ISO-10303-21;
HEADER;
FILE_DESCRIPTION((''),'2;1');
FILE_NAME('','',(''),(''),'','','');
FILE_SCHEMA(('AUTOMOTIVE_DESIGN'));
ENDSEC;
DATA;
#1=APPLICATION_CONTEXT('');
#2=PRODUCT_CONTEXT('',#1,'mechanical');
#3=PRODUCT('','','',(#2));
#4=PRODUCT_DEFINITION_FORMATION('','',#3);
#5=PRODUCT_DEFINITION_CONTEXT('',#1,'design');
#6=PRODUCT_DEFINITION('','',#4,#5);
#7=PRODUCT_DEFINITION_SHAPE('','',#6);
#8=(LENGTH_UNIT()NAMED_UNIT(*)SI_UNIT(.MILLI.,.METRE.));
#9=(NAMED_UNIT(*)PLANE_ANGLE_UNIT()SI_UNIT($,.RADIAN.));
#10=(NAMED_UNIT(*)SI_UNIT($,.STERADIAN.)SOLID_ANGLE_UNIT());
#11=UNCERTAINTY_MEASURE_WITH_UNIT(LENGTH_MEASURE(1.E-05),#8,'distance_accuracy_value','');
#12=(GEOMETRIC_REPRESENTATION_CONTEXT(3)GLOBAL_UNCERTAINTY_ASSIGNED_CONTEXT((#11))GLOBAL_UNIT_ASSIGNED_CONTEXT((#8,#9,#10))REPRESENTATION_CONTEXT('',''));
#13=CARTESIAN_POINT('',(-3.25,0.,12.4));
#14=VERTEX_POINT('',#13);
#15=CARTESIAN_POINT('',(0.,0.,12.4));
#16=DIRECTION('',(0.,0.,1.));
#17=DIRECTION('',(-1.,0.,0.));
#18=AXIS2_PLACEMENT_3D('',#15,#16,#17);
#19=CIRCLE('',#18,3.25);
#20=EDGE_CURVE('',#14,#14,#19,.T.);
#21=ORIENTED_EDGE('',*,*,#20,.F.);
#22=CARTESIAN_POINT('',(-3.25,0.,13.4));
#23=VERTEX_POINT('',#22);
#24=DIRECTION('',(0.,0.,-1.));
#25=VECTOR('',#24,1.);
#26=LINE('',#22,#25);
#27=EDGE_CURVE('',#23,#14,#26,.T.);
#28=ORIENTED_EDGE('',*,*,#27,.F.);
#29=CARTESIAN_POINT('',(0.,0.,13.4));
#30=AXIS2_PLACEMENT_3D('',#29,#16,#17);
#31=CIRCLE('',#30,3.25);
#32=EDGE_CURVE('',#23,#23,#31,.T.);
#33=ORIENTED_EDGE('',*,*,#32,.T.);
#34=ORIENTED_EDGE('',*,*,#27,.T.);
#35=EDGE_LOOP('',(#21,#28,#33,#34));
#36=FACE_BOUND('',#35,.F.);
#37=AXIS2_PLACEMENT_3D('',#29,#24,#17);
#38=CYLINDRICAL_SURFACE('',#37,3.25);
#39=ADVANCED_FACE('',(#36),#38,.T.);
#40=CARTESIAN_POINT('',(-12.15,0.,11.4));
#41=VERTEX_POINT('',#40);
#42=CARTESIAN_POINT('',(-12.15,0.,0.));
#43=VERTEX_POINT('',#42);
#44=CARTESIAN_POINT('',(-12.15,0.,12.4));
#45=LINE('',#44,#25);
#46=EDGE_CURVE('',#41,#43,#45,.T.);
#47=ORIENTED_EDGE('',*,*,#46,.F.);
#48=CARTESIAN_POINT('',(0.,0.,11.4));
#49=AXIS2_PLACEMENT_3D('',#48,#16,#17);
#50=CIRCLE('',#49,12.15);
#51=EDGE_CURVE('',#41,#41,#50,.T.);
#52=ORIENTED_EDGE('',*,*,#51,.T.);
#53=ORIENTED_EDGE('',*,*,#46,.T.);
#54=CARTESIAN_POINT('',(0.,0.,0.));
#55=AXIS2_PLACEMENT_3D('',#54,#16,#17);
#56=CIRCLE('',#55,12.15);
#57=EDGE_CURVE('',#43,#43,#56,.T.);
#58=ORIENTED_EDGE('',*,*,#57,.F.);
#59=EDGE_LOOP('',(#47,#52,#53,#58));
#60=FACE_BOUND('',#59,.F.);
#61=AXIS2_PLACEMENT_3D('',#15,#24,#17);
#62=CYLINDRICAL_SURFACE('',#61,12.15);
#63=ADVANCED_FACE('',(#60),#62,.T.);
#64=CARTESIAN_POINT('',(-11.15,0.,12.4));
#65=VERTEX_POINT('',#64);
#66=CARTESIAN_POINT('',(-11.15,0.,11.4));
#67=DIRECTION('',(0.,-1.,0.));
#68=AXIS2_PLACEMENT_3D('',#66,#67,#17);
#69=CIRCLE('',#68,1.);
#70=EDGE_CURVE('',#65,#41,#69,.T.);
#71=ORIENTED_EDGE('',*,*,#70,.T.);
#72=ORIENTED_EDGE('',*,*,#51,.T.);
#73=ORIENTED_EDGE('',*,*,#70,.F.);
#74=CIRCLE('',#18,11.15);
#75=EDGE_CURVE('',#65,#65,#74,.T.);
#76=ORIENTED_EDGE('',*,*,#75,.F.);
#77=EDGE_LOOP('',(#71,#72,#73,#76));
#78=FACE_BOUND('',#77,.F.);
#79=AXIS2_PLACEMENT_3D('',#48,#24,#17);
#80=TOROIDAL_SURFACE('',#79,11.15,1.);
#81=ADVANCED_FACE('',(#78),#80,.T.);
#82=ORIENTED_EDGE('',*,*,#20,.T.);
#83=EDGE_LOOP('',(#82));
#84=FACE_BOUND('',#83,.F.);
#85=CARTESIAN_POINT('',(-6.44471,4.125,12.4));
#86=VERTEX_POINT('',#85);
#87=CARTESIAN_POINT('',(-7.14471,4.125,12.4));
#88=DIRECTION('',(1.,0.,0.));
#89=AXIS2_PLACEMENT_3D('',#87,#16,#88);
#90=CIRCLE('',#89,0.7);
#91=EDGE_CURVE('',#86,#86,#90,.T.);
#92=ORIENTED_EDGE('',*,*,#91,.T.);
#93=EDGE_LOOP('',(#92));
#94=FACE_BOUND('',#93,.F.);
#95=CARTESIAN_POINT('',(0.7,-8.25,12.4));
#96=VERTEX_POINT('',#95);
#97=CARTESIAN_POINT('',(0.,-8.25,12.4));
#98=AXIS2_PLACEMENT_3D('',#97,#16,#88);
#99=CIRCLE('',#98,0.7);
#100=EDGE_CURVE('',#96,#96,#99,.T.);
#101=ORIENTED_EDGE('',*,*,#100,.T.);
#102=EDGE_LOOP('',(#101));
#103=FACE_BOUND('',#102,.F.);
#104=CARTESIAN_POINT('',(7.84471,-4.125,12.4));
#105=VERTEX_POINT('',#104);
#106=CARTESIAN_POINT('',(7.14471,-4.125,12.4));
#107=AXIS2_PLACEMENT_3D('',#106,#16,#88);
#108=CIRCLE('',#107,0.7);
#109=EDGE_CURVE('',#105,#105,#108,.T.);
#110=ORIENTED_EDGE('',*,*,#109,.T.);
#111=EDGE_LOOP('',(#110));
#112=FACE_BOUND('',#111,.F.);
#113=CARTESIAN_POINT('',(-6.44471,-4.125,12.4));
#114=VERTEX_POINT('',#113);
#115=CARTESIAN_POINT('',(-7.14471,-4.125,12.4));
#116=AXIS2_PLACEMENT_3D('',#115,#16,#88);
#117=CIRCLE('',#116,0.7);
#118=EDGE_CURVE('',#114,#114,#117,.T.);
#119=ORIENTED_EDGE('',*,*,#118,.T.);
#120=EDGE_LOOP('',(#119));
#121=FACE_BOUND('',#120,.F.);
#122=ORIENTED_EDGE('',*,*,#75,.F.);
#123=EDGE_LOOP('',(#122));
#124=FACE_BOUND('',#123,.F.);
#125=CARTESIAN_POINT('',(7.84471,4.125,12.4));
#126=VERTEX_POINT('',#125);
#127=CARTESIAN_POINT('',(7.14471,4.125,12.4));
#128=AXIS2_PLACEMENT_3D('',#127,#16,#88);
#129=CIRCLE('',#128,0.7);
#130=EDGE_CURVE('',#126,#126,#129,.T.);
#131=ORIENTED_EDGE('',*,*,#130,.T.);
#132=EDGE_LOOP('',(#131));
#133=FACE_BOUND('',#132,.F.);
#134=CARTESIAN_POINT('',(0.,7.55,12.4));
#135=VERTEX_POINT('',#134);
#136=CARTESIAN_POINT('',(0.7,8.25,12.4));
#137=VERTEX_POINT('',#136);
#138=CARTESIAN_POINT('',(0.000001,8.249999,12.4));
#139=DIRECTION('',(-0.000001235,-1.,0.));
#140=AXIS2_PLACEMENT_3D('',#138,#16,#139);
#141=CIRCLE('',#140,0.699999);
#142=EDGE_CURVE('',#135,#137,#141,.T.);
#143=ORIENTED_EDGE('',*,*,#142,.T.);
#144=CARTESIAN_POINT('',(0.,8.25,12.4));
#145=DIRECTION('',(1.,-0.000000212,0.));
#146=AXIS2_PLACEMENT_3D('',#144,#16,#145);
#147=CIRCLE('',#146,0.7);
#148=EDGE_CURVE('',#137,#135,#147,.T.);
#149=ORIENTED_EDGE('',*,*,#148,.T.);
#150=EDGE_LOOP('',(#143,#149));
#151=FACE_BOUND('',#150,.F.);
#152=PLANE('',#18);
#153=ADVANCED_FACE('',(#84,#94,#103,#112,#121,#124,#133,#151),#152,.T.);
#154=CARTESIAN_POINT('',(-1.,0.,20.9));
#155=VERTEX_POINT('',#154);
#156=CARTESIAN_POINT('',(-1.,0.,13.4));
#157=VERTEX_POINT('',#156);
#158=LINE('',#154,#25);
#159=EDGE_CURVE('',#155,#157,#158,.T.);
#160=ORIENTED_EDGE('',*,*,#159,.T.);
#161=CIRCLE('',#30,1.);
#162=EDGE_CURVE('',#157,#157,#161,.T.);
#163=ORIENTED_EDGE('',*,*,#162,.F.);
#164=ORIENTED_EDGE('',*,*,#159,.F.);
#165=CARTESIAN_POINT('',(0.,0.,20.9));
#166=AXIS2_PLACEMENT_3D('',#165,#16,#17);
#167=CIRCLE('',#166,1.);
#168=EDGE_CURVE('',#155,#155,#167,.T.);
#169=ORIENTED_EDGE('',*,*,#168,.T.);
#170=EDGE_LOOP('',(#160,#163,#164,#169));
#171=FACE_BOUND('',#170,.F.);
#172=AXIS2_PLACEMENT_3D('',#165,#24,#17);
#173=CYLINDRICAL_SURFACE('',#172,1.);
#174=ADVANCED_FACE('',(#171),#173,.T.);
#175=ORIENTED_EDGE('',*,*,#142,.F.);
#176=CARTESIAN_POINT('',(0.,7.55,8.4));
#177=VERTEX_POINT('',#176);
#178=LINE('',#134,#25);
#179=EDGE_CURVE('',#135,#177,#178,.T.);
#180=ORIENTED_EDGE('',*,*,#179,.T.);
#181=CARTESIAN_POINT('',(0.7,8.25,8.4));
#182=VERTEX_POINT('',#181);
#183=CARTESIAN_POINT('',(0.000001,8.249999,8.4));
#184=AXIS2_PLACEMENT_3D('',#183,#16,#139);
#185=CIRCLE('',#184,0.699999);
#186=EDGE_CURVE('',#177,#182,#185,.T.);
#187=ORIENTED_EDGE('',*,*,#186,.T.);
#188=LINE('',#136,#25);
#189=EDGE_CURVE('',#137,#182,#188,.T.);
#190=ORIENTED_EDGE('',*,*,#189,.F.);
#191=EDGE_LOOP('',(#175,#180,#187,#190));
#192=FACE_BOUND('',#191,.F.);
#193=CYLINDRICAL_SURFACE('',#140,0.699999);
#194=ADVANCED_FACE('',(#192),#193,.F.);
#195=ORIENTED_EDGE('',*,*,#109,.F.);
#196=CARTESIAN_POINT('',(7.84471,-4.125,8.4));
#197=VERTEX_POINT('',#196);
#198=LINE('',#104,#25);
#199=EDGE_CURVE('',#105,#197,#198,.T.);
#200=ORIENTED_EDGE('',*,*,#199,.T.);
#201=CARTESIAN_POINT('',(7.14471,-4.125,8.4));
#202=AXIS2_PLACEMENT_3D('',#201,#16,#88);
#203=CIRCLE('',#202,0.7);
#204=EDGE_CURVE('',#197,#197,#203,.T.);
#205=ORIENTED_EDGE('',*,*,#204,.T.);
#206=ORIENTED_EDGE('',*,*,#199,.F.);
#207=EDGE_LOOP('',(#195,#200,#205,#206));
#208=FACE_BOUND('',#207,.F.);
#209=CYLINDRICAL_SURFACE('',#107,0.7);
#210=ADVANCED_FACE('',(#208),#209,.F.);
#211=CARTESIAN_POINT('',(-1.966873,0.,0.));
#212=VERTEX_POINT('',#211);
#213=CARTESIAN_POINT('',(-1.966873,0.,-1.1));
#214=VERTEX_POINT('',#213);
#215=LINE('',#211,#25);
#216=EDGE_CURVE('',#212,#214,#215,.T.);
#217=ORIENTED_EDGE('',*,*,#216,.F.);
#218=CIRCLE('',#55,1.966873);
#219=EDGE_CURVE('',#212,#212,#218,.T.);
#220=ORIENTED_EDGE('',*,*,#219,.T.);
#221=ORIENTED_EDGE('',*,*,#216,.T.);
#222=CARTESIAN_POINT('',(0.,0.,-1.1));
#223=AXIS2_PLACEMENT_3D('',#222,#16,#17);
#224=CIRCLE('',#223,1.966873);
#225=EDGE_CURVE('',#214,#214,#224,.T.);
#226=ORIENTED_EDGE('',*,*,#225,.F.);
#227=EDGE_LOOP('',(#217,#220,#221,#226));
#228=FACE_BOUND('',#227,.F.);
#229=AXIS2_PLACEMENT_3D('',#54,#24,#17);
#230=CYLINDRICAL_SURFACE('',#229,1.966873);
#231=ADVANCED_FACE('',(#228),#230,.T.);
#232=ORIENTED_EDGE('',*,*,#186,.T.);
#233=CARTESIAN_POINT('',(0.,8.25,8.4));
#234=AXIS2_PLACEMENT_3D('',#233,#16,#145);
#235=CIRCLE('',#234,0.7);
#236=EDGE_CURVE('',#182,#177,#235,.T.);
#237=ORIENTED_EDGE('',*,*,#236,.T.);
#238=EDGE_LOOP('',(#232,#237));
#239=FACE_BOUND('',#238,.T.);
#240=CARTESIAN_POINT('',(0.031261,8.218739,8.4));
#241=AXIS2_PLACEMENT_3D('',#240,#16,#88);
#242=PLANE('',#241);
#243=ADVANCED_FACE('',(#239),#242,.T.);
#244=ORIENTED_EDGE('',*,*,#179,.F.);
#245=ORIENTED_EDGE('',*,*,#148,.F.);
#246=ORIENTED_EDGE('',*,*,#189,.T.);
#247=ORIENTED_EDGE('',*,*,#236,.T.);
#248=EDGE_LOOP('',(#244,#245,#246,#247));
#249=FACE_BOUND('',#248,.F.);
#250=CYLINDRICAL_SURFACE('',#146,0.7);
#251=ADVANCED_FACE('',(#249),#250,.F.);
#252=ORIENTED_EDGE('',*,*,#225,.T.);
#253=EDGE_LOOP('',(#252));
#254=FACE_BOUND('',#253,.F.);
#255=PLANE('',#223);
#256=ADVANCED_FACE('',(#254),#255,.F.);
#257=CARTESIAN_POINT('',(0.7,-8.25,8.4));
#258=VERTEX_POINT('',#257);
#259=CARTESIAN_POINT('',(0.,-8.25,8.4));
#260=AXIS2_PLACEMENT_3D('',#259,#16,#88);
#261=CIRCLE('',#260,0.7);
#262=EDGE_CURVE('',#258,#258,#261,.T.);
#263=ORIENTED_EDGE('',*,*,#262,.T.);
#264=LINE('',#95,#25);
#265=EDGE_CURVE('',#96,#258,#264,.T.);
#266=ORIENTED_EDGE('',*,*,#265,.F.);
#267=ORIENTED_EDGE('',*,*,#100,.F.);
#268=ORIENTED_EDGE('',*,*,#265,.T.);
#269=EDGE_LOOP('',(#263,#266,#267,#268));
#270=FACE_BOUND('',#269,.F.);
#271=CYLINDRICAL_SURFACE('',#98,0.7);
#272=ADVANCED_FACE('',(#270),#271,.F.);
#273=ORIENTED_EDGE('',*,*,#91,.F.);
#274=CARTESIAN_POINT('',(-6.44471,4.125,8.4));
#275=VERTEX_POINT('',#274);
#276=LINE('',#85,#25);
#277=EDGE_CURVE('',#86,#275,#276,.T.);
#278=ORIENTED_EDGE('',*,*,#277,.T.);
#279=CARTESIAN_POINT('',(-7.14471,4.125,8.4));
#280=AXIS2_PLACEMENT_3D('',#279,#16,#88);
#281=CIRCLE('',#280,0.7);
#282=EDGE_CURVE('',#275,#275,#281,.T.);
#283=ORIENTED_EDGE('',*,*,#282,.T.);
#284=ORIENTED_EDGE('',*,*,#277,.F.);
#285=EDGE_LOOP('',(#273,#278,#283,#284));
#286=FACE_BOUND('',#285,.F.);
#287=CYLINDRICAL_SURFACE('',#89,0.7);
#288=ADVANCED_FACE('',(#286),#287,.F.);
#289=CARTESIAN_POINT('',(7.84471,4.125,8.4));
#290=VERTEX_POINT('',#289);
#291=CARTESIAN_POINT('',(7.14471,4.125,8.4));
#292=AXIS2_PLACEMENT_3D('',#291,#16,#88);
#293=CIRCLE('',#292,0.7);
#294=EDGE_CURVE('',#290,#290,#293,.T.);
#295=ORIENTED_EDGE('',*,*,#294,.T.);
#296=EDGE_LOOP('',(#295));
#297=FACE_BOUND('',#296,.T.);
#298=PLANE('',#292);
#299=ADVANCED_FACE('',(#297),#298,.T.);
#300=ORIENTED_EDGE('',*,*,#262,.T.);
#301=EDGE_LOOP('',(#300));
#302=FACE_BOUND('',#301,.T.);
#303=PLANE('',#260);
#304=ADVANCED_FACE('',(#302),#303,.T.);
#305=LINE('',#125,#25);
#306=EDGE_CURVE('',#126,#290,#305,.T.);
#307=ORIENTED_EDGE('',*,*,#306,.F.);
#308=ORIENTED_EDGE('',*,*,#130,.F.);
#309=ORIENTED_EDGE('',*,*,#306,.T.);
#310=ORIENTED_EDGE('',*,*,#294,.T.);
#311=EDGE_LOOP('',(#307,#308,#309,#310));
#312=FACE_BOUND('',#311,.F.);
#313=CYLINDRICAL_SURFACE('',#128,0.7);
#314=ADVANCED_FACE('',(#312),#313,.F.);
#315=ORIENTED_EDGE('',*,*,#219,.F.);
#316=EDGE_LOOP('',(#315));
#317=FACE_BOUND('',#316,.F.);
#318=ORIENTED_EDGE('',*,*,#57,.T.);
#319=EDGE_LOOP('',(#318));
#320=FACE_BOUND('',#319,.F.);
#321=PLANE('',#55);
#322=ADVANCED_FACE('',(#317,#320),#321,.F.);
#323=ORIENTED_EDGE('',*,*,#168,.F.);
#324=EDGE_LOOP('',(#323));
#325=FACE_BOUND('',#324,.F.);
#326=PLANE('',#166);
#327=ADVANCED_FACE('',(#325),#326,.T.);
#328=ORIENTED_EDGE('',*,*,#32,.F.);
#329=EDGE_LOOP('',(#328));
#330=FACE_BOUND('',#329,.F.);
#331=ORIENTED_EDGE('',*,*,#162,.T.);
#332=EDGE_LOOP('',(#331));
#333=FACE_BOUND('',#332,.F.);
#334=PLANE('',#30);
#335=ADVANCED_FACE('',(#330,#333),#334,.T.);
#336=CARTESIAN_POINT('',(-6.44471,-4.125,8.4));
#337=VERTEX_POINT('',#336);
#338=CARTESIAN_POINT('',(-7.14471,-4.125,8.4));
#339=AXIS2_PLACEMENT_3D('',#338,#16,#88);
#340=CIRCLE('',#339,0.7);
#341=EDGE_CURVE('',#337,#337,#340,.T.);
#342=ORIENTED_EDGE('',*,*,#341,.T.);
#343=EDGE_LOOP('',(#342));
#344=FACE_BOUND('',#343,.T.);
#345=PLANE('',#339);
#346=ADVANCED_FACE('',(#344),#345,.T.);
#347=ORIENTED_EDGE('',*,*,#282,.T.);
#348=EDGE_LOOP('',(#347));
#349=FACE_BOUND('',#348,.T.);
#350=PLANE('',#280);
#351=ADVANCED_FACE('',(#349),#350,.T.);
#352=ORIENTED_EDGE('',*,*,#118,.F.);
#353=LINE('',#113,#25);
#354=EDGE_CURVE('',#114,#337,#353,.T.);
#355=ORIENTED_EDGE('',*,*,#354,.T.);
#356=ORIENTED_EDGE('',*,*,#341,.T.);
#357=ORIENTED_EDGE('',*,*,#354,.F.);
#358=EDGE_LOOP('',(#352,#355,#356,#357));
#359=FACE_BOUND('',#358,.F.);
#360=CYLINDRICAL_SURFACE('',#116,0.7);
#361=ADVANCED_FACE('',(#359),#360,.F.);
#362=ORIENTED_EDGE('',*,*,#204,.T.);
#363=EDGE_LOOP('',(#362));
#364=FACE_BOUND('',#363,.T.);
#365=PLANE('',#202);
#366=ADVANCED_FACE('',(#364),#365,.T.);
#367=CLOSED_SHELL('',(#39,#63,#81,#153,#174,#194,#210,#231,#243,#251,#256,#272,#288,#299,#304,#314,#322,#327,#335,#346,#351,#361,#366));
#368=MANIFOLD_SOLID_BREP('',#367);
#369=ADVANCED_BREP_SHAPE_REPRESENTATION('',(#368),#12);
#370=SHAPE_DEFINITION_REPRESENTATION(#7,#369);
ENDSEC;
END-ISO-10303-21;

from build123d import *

# Parameters (mm, degrees)
F2_R     = 0.7
F3_DEPTH = 4
F4_R     = 1


with BuildPart() as f1:
    # F0 (on Front) → F1 (revolve)
    with BuildSketch(Plane.XZ):
        Polygon((0, -1.1), (0, 0), (0, 20.9), (-1, 20.9), (-1, 13.4), (-3.25, 13.4), (-3.25, 12.4), (-12.15, 12.4), (-12.15, 0), (-1.966873, 0), (-1.966873, -1.1), align=None)
    revolve(axis=Axis((0, 0, 10.45), (0, 0, 1)))

    # F2 (on face) → F3 (cut)
    with BuildSketch(Plane.XY.offset(12.4)):
        with BuildLine():
            ThreePointArc((0, 7.55), (0.494975, 7.755025), (0.7, 8.25))
            ThreePointArc((0.7, 8.25), (-0.494975, 8.744975), (0, 7.55))
        make_face()
        with Locations((-7.14471, 4.125)):
            Circle(F2_R)
        with Locations((-7.14471, -4.125)):
            Circle(F2_R)
        with Locations((0, -8.25)):
            Circle(F2_R)
        with Locations((7.14471, -4.125)):
            Circle(F2_R)
        with Locations((7.14471, 4.125)):
            Circle(F2_R)
    extrude(amount=-F3_DEPTH, mode=Mode.SUBTRACT)

    # F4
    f4_edges = [f1.edges().sort_by_distance(p)[0] for p in [
        (12.15, 0, 12.4),
    ]]
    fillet(f4_edges, radius=F4_R)


solid = f1.part
